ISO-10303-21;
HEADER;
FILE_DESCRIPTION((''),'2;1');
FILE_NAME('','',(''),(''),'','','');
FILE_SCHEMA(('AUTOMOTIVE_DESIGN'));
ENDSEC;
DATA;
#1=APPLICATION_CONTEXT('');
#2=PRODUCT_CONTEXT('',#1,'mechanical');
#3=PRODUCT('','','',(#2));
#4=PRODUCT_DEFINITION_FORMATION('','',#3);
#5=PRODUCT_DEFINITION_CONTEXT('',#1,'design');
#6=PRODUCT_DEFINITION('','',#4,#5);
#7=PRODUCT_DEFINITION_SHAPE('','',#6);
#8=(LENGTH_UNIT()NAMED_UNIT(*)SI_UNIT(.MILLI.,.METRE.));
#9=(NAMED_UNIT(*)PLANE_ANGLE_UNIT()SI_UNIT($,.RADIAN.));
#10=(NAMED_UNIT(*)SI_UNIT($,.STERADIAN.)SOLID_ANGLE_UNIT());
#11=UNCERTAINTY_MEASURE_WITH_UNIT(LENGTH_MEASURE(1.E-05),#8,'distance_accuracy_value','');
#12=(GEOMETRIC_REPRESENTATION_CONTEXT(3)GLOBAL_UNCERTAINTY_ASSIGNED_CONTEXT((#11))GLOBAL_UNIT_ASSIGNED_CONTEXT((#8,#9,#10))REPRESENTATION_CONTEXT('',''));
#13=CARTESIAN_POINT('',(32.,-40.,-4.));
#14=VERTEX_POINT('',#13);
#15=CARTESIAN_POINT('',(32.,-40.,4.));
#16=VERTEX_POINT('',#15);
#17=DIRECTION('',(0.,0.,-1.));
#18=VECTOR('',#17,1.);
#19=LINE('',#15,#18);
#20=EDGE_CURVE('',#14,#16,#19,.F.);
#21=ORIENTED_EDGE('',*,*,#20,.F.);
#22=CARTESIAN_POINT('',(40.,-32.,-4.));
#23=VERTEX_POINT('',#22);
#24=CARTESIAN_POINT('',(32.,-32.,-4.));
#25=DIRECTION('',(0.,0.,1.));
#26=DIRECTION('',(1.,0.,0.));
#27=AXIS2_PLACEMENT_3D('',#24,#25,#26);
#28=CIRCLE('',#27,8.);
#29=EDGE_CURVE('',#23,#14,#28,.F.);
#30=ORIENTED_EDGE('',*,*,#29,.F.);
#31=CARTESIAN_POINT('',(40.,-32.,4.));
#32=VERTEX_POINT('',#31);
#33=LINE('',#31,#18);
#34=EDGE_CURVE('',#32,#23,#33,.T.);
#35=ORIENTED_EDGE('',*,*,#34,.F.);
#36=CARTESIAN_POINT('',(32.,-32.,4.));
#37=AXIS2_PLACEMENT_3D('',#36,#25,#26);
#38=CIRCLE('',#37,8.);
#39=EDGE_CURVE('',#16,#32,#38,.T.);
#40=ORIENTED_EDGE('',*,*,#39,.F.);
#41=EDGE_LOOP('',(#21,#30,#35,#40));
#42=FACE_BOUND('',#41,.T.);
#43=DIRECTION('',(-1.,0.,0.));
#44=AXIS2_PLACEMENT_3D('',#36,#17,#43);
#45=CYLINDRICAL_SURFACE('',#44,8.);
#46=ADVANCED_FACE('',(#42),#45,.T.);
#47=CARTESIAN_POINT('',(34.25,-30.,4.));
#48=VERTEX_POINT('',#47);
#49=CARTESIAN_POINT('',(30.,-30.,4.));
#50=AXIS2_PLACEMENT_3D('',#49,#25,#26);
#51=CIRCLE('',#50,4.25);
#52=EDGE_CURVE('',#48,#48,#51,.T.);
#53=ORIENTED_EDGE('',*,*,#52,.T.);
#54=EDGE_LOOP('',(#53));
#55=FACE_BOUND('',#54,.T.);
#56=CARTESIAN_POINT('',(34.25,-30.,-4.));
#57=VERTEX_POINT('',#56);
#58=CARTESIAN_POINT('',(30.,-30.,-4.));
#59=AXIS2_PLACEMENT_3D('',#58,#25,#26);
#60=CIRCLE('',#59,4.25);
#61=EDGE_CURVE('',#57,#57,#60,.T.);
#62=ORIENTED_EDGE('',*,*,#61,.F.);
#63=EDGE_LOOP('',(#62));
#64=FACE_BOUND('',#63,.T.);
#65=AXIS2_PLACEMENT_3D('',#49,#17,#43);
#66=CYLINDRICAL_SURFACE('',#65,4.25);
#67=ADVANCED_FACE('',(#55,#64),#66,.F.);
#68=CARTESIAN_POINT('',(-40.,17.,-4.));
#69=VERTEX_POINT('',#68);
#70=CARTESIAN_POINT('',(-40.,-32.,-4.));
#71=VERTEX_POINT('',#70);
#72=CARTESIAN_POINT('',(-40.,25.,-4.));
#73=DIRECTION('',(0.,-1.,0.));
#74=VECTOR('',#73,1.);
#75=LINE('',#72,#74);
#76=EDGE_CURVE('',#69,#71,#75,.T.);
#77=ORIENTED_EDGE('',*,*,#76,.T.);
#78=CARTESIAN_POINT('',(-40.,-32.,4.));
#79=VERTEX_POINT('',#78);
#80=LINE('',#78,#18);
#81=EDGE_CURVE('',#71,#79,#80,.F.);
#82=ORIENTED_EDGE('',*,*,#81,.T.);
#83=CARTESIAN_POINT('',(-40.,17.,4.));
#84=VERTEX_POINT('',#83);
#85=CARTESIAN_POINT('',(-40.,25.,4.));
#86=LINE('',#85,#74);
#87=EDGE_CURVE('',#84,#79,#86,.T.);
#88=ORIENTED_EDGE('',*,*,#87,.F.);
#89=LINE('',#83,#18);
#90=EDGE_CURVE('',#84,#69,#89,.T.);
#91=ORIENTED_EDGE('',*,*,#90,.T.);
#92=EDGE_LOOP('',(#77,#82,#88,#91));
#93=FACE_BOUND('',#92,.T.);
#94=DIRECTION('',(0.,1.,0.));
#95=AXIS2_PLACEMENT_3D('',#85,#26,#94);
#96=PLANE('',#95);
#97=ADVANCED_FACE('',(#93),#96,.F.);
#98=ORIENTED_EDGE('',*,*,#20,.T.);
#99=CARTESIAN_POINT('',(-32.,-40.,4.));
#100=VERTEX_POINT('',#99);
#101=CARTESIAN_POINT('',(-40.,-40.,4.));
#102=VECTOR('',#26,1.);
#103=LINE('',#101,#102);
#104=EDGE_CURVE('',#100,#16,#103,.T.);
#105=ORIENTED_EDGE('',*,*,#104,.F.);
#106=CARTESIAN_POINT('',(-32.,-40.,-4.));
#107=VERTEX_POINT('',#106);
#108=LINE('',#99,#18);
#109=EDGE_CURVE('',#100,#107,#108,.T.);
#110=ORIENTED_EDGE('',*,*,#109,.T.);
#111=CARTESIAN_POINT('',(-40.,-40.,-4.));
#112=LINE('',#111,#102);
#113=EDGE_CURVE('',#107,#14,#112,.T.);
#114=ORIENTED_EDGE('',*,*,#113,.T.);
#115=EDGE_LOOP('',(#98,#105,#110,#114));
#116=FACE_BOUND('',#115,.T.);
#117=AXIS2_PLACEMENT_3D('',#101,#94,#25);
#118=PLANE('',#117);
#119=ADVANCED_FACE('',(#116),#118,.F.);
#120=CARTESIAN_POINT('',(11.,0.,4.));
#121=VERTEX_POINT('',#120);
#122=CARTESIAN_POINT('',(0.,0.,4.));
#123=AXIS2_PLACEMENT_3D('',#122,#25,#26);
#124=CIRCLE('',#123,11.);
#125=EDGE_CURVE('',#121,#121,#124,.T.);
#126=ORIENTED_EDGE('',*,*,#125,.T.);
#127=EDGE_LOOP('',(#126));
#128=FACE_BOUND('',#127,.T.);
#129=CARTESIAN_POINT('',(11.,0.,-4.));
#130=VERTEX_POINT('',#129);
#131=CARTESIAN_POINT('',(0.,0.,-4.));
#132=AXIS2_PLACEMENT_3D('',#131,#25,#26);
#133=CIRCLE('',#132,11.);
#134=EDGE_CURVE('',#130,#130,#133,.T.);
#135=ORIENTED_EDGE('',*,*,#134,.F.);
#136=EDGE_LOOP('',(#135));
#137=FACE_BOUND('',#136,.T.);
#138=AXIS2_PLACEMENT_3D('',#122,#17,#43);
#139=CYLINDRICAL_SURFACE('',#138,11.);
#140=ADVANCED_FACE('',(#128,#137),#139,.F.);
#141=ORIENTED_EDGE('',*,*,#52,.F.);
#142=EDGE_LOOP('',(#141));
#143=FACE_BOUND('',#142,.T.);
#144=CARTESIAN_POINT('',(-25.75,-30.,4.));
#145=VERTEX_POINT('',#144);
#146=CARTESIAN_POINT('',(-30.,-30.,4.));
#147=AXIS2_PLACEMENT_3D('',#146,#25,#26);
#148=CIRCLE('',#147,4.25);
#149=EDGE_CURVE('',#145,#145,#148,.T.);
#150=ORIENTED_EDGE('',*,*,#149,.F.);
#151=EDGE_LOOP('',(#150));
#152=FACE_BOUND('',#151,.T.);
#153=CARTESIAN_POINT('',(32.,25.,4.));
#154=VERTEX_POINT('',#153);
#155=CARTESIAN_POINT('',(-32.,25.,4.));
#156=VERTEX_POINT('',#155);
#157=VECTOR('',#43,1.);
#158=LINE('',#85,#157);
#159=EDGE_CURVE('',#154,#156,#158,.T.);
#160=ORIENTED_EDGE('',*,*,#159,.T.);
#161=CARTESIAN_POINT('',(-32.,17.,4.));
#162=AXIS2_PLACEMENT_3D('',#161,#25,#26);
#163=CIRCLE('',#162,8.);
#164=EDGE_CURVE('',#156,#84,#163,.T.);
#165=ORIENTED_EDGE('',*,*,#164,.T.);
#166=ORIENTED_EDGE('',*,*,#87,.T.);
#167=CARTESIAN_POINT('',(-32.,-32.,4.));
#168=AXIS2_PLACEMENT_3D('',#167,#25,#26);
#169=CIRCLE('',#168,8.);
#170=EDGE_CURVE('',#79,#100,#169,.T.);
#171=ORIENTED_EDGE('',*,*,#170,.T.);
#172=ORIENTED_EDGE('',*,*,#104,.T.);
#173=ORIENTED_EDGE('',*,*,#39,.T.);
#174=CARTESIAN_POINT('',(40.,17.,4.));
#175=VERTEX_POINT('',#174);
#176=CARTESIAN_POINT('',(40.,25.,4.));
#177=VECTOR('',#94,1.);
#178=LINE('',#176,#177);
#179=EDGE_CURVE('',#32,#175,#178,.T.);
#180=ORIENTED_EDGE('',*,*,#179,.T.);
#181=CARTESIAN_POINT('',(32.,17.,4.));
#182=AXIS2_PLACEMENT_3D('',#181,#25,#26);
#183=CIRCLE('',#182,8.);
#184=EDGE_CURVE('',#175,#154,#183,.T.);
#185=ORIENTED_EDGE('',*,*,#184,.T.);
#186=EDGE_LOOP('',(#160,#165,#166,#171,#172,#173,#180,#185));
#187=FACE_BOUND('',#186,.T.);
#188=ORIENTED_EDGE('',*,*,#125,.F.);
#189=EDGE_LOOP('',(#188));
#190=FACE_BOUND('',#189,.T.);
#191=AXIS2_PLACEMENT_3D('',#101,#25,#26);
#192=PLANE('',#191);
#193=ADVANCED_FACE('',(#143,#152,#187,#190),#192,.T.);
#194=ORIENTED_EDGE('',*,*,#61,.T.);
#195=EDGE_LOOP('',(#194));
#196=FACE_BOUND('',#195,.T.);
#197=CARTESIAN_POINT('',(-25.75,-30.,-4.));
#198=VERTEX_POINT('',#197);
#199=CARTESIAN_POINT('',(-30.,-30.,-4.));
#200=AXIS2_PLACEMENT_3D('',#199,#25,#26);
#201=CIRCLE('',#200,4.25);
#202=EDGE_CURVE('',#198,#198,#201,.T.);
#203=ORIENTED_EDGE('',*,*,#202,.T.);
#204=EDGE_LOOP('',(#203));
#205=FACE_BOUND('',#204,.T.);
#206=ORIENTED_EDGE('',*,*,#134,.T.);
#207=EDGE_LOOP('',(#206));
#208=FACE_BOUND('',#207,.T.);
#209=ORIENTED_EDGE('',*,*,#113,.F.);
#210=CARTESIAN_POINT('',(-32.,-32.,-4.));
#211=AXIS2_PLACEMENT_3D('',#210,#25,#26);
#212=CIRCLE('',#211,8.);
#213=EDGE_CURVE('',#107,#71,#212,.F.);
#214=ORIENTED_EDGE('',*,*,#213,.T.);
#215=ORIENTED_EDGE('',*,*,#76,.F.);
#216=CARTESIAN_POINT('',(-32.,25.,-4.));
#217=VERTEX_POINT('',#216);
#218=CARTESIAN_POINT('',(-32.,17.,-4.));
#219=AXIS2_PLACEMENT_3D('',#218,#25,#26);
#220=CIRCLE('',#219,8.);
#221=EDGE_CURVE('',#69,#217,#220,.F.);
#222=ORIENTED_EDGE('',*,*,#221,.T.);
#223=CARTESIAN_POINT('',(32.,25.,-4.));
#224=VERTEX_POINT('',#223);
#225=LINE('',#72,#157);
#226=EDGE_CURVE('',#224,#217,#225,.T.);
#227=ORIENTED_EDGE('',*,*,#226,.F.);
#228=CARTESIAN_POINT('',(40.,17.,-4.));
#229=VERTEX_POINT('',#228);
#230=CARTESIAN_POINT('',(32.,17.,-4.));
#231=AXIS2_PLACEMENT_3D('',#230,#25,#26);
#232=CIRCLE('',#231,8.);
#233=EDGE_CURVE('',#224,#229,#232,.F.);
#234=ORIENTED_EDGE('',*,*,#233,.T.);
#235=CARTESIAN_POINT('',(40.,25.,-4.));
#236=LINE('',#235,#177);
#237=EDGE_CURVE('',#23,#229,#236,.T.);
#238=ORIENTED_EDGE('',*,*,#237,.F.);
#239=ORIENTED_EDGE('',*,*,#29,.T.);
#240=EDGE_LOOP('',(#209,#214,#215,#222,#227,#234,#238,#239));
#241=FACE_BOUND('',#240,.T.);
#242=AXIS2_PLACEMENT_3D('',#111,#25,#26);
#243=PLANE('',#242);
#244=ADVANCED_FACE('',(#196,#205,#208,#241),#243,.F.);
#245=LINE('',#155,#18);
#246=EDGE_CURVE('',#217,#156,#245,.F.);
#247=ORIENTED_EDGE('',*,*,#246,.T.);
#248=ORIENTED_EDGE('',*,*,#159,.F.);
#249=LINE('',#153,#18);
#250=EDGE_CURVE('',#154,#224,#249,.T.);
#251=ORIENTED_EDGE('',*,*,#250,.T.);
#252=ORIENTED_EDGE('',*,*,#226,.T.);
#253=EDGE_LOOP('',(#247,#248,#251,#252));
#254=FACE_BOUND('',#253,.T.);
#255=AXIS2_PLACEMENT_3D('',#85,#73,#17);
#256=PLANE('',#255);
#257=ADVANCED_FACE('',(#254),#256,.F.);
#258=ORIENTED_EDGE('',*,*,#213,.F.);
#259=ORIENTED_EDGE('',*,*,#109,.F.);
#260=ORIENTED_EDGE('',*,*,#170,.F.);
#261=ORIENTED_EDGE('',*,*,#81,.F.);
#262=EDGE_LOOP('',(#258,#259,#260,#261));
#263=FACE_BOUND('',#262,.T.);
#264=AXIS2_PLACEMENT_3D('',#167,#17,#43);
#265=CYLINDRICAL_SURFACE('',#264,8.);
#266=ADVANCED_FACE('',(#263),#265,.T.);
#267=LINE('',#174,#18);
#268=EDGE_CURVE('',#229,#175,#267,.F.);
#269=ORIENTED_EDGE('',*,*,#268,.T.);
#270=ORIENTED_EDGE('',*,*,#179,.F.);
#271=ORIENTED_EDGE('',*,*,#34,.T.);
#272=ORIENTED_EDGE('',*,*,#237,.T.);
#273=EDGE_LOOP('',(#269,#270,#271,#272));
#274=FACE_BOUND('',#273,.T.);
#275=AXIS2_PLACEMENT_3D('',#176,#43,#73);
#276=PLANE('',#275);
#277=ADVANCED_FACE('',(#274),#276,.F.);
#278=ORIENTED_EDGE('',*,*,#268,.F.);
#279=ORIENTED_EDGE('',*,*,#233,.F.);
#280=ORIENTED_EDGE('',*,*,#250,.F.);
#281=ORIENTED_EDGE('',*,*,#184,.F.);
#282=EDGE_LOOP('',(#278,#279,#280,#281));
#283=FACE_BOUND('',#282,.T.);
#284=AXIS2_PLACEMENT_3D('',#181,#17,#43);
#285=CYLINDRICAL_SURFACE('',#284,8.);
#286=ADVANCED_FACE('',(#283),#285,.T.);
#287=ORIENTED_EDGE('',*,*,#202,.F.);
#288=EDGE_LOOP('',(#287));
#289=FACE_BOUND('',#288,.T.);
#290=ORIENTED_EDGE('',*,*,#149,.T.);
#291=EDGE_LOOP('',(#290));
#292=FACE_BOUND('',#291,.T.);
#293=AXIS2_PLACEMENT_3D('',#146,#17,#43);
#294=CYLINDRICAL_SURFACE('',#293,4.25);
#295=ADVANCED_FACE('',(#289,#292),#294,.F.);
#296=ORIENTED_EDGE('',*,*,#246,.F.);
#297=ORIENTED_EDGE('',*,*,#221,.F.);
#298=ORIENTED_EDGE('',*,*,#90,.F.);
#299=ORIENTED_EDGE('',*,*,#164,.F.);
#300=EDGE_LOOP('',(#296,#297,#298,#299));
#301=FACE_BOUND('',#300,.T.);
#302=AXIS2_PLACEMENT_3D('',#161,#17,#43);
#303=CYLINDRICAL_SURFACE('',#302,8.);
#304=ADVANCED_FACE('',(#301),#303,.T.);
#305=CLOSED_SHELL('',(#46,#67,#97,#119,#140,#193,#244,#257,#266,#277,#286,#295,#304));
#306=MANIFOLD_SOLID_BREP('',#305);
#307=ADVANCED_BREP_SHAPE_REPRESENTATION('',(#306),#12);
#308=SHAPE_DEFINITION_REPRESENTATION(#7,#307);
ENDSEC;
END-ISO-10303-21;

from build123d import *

# Parameters (mm, degrees)
SKIZZE1_W                       = 80
SKIZZE1_H                       = 65
SKIZZE1_R                       = 11
SKIZZE1_R_2                     = 4.25
AUFSATZ_LINEAR_AUSTRAGEN1_DEPTH = 4
VERRUNDUNG1_R                   = 8


with BuildPart() as part:
    # Skizze1 → Aufsatz-Linear austragen1 (new, symmetric)
    with BuildSketch(Plane.XY):
        with Locations((0, -7.5)):
            Rectangle(SKIZZE1_W, SKIZZE1_H)
        Circle(SKIZZE1_R, mode=Mode.SUBTRACT)
        with Locations((-30, -30)):
            Circle(SKIZZE1_R_2, mode=Mode.SUBTRACT)
        with Locations((30, -30)):
            Circle(SKIZZE1_R_2, mode=Mode.SUBTRACT)
    extrude(amount=AUFSATZ_LINEAR_AUSTRAGEN1_DEPTH, both=True)

    # Verrundung1
    verrundung1_edges = [part.edges().sort_by_distance(p)[0] for p in [
        (-40, 25, 0),
        (40, 25, 0),
        (40, -40, 0),
        (-40, -40, 0),
    ]]
    fillet(verrundung1_edges, radius=VERRUNDUNG1_R)


solid = part.part
